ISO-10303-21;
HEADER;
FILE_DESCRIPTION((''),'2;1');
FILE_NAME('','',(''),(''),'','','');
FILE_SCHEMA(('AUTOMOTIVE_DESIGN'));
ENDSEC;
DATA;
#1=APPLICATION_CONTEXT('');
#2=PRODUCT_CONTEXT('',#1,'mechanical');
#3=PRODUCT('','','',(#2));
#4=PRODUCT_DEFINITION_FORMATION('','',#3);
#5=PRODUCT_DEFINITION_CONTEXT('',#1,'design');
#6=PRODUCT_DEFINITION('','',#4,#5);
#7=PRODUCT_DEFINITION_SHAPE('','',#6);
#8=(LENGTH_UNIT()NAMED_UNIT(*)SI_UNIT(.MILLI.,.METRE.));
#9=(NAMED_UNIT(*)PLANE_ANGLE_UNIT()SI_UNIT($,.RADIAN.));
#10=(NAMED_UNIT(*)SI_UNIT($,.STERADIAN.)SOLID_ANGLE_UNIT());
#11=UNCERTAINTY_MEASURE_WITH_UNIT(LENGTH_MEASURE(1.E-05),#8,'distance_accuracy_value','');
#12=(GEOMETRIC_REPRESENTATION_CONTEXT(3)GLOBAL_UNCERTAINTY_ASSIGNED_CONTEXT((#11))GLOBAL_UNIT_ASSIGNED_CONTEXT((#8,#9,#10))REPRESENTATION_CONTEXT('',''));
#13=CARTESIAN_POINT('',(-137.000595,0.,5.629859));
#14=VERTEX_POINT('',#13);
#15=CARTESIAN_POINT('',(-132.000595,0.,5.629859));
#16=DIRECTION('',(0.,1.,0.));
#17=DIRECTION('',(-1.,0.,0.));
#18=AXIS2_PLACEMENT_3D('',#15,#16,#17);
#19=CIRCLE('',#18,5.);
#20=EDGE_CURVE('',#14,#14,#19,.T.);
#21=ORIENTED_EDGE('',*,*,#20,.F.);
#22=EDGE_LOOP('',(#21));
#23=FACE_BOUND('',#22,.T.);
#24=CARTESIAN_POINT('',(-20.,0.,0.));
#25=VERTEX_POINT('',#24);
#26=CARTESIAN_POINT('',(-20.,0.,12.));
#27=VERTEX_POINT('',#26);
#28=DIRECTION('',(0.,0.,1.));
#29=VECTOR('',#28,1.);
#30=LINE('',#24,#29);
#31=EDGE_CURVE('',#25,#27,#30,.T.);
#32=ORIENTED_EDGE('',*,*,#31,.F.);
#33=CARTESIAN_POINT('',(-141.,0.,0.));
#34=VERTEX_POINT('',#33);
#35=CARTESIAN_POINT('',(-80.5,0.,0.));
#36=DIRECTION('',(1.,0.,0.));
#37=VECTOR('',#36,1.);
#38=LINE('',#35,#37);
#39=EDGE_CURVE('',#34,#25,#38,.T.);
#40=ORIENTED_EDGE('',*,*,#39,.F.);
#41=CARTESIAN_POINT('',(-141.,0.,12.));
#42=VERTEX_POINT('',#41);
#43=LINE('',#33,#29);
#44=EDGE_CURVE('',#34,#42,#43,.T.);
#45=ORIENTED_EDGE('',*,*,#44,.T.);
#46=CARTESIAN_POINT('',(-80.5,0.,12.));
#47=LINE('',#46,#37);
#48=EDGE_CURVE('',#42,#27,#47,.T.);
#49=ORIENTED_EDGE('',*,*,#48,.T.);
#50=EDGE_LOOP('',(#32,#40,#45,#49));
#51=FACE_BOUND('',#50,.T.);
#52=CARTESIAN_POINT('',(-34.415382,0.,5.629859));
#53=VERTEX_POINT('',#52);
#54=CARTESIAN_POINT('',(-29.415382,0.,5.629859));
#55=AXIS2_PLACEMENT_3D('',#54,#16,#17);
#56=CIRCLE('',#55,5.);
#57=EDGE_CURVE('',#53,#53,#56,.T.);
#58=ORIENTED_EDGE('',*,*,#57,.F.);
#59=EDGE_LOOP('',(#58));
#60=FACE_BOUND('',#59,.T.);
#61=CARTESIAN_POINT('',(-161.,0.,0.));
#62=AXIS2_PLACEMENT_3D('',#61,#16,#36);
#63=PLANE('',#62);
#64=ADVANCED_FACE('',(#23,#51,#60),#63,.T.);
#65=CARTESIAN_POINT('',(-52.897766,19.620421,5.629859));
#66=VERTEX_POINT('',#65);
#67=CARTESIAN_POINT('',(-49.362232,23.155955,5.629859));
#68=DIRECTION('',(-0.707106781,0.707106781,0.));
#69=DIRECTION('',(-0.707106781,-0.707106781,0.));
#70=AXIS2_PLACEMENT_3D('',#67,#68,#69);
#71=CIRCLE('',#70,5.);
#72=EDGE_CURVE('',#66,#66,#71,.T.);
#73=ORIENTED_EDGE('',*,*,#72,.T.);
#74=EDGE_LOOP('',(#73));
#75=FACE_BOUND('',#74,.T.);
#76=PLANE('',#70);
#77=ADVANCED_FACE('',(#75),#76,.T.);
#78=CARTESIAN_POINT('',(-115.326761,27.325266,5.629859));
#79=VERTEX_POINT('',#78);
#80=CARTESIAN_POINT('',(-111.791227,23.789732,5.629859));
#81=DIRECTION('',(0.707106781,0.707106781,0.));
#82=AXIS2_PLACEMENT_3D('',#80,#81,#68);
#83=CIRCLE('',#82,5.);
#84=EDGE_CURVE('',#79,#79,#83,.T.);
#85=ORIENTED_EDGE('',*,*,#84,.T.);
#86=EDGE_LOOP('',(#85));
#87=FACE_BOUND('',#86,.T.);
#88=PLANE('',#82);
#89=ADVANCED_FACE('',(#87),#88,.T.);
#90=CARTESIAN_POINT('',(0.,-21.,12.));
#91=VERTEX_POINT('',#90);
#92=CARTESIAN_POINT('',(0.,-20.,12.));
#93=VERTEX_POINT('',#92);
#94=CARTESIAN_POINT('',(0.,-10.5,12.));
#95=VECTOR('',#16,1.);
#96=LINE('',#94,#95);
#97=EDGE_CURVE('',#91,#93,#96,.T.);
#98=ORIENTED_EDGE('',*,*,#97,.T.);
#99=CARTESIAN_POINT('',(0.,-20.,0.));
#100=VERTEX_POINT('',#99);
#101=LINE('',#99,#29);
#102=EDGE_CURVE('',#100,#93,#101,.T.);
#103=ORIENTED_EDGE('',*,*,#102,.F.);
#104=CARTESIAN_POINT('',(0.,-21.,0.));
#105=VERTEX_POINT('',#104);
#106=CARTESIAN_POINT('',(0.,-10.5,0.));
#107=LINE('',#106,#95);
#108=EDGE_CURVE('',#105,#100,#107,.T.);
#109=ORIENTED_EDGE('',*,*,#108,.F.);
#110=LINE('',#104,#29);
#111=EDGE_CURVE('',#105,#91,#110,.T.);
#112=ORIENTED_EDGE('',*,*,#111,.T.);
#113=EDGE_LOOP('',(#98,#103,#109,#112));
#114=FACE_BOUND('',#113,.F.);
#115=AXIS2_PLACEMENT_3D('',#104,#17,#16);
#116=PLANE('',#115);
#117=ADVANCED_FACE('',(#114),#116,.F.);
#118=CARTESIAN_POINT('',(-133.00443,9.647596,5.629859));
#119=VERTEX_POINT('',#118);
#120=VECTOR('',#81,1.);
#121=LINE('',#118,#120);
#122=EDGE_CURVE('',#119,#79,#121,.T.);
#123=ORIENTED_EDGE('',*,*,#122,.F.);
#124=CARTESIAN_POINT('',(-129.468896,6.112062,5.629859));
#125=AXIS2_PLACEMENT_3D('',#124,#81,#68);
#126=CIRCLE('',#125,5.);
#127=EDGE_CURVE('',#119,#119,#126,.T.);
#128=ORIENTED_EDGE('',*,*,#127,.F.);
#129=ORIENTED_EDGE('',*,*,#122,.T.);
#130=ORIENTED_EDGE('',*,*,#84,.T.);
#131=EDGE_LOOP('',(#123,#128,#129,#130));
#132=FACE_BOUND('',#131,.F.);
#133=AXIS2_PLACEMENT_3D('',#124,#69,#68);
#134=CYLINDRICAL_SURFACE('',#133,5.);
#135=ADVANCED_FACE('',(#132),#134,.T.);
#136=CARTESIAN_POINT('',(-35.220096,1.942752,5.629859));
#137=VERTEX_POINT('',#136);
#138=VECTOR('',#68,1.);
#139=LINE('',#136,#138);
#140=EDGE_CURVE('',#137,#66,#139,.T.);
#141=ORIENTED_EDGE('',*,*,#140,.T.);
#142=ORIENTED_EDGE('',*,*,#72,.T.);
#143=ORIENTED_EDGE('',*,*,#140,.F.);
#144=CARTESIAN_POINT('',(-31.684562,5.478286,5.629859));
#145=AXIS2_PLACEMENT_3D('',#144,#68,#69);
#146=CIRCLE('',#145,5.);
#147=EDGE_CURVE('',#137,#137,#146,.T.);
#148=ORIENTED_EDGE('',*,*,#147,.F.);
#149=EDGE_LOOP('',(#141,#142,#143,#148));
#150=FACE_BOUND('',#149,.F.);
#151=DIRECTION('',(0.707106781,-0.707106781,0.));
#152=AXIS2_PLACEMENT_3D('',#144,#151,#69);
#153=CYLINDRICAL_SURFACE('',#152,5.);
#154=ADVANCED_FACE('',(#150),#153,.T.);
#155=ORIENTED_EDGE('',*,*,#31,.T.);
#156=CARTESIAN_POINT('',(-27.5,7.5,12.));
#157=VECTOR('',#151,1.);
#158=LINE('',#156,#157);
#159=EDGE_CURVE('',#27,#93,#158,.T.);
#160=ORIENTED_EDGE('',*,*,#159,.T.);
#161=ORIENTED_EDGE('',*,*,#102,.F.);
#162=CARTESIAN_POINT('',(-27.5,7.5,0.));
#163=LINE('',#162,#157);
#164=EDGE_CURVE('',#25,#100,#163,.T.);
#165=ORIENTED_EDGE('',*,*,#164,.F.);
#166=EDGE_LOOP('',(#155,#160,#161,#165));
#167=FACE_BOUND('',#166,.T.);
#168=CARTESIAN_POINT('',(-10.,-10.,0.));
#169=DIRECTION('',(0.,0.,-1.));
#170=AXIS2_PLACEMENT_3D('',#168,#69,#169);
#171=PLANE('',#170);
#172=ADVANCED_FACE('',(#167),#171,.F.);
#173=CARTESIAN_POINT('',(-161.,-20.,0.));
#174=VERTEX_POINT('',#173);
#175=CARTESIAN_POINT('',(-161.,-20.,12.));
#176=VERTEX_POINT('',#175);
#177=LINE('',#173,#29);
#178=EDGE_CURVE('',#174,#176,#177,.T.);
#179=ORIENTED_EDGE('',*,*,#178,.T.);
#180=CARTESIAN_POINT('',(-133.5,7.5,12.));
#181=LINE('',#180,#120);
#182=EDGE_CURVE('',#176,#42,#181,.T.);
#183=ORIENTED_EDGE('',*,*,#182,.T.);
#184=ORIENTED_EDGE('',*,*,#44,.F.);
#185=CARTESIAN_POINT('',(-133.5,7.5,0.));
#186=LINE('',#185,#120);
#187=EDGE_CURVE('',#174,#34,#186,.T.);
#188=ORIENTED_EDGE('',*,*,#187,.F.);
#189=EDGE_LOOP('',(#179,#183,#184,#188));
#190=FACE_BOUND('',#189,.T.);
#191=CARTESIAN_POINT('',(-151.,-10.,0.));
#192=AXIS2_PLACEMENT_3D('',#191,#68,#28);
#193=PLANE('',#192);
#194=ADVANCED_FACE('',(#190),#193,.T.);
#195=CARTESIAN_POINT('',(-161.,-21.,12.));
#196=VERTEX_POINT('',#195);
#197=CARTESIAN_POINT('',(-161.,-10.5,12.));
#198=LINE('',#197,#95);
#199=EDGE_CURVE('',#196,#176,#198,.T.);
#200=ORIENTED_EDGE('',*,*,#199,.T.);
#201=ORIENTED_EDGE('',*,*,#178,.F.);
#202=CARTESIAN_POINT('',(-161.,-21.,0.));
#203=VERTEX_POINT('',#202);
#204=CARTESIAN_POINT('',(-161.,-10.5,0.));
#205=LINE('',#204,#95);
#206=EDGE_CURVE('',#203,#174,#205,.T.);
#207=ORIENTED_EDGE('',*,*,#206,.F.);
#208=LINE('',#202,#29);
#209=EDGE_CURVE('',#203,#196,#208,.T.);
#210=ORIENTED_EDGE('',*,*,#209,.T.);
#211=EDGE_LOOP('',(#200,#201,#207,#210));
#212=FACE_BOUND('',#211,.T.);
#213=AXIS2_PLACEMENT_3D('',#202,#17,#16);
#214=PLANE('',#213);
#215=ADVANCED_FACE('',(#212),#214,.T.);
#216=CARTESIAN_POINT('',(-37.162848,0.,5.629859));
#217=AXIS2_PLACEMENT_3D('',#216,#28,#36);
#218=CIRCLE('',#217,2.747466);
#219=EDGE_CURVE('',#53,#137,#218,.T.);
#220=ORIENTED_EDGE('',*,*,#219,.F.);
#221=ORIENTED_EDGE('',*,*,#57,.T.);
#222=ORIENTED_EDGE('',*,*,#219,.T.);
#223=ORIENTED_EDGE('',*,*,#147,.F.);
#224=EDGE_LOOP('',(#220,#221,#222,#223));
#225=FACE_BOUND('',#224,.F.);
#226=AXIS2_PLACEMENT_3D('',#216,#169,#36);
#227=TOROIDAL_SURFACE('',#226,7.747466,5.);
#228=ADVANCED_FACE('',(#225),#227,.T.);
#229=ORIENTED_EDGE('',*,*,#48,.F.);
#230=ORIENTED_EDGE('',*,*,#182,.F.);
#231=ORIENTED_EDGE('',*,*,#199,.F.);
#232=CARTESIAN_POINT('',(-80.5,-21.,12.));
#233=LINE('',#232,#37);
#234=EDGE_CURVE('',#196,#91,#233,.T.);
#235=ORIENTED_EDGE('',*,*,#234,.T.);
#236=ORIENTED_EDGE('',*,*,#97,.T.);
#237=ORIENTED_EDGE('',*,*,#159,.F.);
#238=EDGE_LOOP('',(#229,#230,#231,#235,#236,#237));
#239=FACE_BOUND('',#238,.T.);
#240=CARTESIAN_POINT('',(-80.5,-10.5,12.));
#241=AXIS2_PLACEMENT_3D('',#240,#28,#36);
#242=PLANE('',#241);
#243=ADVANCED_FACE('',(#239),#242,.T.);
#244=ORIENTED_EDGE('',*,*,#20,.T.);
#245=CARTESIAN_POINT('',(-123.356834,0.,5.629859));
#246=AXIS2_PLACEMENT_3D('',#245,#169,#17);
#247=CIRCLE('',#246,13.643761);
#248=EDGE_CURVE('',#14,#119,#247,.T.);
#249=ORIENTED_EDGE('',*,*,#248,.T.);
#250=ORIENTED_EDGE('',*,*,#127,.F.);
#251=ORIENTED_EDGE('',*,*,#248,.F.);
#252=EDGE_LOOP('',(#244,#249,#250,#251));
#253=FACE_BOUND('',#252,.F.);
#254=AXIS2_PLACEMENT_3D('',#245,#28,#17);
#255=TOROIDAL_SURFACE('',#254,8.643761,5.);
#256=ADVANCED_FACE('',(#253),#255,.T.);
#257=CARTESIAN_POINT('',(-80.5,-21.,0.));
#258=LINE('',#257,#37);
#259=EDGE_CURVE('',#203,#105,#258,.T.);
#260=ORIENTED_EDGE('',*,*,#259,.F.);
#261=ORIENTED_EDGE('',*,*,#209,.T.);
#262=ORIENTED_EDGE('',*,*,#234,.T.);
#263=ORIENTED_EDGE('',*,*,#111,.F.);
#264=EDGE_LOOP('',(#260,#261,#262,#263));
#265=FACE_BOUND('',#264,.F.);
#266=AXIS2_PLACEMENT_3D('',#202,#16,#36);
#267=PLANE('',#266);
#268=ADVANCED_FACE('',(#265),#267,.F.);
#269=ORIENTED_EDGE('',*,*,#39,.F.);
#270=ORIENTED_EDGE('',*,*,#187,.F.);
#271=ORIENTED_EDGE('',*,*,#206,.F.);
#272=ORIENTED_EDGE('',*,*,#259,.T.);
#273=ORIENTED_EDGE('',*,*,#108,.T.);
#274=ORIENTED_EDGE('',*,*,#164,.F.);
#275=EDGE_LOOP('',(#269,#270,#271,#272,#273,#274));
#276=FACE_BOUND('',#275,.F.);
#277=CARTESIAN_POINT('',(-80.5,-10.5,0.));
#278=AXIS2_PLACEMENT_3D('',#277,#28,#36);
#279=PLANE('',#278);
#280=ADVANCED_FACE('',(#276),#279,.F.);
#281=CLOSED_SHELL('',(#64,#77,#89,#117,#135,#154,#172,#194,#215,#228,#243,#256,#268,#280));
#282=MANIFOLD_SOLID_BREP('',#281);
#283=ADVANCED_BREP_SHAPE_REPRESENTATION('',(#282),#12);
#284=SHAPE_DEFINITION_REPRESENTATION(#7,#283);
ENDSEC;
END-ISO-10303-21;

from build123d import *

# Parameters (mm, degrees)
F0_W      = 161
F0_H      = 21
F1_DEPTH  = 12
F2_SIZE   = 20
F3_SIZE   = 20
F5_R      = 5
F6_ANGLE  = 45
F4_R      = 5
F8_ANGLE  = 45
F9_DEPTH  = 25
F10_DEPTH = 25


with BuildPart() as f1:
    # F0 (on Top) → F1 (new body)
    with BuildSketch(Plane.XY):
        with Locations((-80.5, -10.5)):
            Rectangle(F0_W, F0_H)
    extrude(amount=F1_DEPTH)

    # F2
    f2_edges = [f1.edges().sort_by_distance(p)[0] for p in [
        (-161, 0, 6),
    ]]
    chamfer(f2_edges, length=F2_SIZE)

    # F3
    f3_edges = [f1.edges().sort_by_distance(p)[0] for p in [
        (0, 0, 6),
    ]]
    chamfer(f3_edges, length=F3_SIZE)

    # F5 (on face) → F6 (revolve)
    with BuildSketch(Plane(origin=(0, 0, 0), x_dir=(-1, 0, 0), z_dir=(0, 1, 0))):
        with Locations((132.0005953312, 5.6298593991)):
            Circle(F5_R)
    revolve(axis=Axis((-123.356834054, 0, 5.9305), (0, 0, -1)), revolution_arc=F6_ANGLE)

    # F4 (on face) → F8 (revolve)
    with BuildSketch(Plane(origin=(0, 0, 0), x_dir=(-1, 0, 0), z_dir=(0, 1, 0))):
        with Locations((29.4153820723, 5.6298593991)):
            Circle(F4_R)
    revolve(axis=Axis((-37.1628478169, 0, 5.868), (0, 0, 1)), revolution_arc=F8_ANGLE)

    # F9 (add): a face of the model
    f9_faces = [f1.faces().sort_by_distance(p)[0] for p in [
        (-129.4688962681, 6.1120622141, 5.6298593991),
    ]]
    extrude(f9_faces, amount=F9_DEPTH)

    # F10 (add): a face of the model
    f10_faces = [f1.faces().sort_by_distance(p)[0] for p in [
        (-31.6845622519, 5.478285565, 5.6298593991),
    ]]
    extrude(f10_faces, amount=F10_DEPTH)


solid = f1.part
